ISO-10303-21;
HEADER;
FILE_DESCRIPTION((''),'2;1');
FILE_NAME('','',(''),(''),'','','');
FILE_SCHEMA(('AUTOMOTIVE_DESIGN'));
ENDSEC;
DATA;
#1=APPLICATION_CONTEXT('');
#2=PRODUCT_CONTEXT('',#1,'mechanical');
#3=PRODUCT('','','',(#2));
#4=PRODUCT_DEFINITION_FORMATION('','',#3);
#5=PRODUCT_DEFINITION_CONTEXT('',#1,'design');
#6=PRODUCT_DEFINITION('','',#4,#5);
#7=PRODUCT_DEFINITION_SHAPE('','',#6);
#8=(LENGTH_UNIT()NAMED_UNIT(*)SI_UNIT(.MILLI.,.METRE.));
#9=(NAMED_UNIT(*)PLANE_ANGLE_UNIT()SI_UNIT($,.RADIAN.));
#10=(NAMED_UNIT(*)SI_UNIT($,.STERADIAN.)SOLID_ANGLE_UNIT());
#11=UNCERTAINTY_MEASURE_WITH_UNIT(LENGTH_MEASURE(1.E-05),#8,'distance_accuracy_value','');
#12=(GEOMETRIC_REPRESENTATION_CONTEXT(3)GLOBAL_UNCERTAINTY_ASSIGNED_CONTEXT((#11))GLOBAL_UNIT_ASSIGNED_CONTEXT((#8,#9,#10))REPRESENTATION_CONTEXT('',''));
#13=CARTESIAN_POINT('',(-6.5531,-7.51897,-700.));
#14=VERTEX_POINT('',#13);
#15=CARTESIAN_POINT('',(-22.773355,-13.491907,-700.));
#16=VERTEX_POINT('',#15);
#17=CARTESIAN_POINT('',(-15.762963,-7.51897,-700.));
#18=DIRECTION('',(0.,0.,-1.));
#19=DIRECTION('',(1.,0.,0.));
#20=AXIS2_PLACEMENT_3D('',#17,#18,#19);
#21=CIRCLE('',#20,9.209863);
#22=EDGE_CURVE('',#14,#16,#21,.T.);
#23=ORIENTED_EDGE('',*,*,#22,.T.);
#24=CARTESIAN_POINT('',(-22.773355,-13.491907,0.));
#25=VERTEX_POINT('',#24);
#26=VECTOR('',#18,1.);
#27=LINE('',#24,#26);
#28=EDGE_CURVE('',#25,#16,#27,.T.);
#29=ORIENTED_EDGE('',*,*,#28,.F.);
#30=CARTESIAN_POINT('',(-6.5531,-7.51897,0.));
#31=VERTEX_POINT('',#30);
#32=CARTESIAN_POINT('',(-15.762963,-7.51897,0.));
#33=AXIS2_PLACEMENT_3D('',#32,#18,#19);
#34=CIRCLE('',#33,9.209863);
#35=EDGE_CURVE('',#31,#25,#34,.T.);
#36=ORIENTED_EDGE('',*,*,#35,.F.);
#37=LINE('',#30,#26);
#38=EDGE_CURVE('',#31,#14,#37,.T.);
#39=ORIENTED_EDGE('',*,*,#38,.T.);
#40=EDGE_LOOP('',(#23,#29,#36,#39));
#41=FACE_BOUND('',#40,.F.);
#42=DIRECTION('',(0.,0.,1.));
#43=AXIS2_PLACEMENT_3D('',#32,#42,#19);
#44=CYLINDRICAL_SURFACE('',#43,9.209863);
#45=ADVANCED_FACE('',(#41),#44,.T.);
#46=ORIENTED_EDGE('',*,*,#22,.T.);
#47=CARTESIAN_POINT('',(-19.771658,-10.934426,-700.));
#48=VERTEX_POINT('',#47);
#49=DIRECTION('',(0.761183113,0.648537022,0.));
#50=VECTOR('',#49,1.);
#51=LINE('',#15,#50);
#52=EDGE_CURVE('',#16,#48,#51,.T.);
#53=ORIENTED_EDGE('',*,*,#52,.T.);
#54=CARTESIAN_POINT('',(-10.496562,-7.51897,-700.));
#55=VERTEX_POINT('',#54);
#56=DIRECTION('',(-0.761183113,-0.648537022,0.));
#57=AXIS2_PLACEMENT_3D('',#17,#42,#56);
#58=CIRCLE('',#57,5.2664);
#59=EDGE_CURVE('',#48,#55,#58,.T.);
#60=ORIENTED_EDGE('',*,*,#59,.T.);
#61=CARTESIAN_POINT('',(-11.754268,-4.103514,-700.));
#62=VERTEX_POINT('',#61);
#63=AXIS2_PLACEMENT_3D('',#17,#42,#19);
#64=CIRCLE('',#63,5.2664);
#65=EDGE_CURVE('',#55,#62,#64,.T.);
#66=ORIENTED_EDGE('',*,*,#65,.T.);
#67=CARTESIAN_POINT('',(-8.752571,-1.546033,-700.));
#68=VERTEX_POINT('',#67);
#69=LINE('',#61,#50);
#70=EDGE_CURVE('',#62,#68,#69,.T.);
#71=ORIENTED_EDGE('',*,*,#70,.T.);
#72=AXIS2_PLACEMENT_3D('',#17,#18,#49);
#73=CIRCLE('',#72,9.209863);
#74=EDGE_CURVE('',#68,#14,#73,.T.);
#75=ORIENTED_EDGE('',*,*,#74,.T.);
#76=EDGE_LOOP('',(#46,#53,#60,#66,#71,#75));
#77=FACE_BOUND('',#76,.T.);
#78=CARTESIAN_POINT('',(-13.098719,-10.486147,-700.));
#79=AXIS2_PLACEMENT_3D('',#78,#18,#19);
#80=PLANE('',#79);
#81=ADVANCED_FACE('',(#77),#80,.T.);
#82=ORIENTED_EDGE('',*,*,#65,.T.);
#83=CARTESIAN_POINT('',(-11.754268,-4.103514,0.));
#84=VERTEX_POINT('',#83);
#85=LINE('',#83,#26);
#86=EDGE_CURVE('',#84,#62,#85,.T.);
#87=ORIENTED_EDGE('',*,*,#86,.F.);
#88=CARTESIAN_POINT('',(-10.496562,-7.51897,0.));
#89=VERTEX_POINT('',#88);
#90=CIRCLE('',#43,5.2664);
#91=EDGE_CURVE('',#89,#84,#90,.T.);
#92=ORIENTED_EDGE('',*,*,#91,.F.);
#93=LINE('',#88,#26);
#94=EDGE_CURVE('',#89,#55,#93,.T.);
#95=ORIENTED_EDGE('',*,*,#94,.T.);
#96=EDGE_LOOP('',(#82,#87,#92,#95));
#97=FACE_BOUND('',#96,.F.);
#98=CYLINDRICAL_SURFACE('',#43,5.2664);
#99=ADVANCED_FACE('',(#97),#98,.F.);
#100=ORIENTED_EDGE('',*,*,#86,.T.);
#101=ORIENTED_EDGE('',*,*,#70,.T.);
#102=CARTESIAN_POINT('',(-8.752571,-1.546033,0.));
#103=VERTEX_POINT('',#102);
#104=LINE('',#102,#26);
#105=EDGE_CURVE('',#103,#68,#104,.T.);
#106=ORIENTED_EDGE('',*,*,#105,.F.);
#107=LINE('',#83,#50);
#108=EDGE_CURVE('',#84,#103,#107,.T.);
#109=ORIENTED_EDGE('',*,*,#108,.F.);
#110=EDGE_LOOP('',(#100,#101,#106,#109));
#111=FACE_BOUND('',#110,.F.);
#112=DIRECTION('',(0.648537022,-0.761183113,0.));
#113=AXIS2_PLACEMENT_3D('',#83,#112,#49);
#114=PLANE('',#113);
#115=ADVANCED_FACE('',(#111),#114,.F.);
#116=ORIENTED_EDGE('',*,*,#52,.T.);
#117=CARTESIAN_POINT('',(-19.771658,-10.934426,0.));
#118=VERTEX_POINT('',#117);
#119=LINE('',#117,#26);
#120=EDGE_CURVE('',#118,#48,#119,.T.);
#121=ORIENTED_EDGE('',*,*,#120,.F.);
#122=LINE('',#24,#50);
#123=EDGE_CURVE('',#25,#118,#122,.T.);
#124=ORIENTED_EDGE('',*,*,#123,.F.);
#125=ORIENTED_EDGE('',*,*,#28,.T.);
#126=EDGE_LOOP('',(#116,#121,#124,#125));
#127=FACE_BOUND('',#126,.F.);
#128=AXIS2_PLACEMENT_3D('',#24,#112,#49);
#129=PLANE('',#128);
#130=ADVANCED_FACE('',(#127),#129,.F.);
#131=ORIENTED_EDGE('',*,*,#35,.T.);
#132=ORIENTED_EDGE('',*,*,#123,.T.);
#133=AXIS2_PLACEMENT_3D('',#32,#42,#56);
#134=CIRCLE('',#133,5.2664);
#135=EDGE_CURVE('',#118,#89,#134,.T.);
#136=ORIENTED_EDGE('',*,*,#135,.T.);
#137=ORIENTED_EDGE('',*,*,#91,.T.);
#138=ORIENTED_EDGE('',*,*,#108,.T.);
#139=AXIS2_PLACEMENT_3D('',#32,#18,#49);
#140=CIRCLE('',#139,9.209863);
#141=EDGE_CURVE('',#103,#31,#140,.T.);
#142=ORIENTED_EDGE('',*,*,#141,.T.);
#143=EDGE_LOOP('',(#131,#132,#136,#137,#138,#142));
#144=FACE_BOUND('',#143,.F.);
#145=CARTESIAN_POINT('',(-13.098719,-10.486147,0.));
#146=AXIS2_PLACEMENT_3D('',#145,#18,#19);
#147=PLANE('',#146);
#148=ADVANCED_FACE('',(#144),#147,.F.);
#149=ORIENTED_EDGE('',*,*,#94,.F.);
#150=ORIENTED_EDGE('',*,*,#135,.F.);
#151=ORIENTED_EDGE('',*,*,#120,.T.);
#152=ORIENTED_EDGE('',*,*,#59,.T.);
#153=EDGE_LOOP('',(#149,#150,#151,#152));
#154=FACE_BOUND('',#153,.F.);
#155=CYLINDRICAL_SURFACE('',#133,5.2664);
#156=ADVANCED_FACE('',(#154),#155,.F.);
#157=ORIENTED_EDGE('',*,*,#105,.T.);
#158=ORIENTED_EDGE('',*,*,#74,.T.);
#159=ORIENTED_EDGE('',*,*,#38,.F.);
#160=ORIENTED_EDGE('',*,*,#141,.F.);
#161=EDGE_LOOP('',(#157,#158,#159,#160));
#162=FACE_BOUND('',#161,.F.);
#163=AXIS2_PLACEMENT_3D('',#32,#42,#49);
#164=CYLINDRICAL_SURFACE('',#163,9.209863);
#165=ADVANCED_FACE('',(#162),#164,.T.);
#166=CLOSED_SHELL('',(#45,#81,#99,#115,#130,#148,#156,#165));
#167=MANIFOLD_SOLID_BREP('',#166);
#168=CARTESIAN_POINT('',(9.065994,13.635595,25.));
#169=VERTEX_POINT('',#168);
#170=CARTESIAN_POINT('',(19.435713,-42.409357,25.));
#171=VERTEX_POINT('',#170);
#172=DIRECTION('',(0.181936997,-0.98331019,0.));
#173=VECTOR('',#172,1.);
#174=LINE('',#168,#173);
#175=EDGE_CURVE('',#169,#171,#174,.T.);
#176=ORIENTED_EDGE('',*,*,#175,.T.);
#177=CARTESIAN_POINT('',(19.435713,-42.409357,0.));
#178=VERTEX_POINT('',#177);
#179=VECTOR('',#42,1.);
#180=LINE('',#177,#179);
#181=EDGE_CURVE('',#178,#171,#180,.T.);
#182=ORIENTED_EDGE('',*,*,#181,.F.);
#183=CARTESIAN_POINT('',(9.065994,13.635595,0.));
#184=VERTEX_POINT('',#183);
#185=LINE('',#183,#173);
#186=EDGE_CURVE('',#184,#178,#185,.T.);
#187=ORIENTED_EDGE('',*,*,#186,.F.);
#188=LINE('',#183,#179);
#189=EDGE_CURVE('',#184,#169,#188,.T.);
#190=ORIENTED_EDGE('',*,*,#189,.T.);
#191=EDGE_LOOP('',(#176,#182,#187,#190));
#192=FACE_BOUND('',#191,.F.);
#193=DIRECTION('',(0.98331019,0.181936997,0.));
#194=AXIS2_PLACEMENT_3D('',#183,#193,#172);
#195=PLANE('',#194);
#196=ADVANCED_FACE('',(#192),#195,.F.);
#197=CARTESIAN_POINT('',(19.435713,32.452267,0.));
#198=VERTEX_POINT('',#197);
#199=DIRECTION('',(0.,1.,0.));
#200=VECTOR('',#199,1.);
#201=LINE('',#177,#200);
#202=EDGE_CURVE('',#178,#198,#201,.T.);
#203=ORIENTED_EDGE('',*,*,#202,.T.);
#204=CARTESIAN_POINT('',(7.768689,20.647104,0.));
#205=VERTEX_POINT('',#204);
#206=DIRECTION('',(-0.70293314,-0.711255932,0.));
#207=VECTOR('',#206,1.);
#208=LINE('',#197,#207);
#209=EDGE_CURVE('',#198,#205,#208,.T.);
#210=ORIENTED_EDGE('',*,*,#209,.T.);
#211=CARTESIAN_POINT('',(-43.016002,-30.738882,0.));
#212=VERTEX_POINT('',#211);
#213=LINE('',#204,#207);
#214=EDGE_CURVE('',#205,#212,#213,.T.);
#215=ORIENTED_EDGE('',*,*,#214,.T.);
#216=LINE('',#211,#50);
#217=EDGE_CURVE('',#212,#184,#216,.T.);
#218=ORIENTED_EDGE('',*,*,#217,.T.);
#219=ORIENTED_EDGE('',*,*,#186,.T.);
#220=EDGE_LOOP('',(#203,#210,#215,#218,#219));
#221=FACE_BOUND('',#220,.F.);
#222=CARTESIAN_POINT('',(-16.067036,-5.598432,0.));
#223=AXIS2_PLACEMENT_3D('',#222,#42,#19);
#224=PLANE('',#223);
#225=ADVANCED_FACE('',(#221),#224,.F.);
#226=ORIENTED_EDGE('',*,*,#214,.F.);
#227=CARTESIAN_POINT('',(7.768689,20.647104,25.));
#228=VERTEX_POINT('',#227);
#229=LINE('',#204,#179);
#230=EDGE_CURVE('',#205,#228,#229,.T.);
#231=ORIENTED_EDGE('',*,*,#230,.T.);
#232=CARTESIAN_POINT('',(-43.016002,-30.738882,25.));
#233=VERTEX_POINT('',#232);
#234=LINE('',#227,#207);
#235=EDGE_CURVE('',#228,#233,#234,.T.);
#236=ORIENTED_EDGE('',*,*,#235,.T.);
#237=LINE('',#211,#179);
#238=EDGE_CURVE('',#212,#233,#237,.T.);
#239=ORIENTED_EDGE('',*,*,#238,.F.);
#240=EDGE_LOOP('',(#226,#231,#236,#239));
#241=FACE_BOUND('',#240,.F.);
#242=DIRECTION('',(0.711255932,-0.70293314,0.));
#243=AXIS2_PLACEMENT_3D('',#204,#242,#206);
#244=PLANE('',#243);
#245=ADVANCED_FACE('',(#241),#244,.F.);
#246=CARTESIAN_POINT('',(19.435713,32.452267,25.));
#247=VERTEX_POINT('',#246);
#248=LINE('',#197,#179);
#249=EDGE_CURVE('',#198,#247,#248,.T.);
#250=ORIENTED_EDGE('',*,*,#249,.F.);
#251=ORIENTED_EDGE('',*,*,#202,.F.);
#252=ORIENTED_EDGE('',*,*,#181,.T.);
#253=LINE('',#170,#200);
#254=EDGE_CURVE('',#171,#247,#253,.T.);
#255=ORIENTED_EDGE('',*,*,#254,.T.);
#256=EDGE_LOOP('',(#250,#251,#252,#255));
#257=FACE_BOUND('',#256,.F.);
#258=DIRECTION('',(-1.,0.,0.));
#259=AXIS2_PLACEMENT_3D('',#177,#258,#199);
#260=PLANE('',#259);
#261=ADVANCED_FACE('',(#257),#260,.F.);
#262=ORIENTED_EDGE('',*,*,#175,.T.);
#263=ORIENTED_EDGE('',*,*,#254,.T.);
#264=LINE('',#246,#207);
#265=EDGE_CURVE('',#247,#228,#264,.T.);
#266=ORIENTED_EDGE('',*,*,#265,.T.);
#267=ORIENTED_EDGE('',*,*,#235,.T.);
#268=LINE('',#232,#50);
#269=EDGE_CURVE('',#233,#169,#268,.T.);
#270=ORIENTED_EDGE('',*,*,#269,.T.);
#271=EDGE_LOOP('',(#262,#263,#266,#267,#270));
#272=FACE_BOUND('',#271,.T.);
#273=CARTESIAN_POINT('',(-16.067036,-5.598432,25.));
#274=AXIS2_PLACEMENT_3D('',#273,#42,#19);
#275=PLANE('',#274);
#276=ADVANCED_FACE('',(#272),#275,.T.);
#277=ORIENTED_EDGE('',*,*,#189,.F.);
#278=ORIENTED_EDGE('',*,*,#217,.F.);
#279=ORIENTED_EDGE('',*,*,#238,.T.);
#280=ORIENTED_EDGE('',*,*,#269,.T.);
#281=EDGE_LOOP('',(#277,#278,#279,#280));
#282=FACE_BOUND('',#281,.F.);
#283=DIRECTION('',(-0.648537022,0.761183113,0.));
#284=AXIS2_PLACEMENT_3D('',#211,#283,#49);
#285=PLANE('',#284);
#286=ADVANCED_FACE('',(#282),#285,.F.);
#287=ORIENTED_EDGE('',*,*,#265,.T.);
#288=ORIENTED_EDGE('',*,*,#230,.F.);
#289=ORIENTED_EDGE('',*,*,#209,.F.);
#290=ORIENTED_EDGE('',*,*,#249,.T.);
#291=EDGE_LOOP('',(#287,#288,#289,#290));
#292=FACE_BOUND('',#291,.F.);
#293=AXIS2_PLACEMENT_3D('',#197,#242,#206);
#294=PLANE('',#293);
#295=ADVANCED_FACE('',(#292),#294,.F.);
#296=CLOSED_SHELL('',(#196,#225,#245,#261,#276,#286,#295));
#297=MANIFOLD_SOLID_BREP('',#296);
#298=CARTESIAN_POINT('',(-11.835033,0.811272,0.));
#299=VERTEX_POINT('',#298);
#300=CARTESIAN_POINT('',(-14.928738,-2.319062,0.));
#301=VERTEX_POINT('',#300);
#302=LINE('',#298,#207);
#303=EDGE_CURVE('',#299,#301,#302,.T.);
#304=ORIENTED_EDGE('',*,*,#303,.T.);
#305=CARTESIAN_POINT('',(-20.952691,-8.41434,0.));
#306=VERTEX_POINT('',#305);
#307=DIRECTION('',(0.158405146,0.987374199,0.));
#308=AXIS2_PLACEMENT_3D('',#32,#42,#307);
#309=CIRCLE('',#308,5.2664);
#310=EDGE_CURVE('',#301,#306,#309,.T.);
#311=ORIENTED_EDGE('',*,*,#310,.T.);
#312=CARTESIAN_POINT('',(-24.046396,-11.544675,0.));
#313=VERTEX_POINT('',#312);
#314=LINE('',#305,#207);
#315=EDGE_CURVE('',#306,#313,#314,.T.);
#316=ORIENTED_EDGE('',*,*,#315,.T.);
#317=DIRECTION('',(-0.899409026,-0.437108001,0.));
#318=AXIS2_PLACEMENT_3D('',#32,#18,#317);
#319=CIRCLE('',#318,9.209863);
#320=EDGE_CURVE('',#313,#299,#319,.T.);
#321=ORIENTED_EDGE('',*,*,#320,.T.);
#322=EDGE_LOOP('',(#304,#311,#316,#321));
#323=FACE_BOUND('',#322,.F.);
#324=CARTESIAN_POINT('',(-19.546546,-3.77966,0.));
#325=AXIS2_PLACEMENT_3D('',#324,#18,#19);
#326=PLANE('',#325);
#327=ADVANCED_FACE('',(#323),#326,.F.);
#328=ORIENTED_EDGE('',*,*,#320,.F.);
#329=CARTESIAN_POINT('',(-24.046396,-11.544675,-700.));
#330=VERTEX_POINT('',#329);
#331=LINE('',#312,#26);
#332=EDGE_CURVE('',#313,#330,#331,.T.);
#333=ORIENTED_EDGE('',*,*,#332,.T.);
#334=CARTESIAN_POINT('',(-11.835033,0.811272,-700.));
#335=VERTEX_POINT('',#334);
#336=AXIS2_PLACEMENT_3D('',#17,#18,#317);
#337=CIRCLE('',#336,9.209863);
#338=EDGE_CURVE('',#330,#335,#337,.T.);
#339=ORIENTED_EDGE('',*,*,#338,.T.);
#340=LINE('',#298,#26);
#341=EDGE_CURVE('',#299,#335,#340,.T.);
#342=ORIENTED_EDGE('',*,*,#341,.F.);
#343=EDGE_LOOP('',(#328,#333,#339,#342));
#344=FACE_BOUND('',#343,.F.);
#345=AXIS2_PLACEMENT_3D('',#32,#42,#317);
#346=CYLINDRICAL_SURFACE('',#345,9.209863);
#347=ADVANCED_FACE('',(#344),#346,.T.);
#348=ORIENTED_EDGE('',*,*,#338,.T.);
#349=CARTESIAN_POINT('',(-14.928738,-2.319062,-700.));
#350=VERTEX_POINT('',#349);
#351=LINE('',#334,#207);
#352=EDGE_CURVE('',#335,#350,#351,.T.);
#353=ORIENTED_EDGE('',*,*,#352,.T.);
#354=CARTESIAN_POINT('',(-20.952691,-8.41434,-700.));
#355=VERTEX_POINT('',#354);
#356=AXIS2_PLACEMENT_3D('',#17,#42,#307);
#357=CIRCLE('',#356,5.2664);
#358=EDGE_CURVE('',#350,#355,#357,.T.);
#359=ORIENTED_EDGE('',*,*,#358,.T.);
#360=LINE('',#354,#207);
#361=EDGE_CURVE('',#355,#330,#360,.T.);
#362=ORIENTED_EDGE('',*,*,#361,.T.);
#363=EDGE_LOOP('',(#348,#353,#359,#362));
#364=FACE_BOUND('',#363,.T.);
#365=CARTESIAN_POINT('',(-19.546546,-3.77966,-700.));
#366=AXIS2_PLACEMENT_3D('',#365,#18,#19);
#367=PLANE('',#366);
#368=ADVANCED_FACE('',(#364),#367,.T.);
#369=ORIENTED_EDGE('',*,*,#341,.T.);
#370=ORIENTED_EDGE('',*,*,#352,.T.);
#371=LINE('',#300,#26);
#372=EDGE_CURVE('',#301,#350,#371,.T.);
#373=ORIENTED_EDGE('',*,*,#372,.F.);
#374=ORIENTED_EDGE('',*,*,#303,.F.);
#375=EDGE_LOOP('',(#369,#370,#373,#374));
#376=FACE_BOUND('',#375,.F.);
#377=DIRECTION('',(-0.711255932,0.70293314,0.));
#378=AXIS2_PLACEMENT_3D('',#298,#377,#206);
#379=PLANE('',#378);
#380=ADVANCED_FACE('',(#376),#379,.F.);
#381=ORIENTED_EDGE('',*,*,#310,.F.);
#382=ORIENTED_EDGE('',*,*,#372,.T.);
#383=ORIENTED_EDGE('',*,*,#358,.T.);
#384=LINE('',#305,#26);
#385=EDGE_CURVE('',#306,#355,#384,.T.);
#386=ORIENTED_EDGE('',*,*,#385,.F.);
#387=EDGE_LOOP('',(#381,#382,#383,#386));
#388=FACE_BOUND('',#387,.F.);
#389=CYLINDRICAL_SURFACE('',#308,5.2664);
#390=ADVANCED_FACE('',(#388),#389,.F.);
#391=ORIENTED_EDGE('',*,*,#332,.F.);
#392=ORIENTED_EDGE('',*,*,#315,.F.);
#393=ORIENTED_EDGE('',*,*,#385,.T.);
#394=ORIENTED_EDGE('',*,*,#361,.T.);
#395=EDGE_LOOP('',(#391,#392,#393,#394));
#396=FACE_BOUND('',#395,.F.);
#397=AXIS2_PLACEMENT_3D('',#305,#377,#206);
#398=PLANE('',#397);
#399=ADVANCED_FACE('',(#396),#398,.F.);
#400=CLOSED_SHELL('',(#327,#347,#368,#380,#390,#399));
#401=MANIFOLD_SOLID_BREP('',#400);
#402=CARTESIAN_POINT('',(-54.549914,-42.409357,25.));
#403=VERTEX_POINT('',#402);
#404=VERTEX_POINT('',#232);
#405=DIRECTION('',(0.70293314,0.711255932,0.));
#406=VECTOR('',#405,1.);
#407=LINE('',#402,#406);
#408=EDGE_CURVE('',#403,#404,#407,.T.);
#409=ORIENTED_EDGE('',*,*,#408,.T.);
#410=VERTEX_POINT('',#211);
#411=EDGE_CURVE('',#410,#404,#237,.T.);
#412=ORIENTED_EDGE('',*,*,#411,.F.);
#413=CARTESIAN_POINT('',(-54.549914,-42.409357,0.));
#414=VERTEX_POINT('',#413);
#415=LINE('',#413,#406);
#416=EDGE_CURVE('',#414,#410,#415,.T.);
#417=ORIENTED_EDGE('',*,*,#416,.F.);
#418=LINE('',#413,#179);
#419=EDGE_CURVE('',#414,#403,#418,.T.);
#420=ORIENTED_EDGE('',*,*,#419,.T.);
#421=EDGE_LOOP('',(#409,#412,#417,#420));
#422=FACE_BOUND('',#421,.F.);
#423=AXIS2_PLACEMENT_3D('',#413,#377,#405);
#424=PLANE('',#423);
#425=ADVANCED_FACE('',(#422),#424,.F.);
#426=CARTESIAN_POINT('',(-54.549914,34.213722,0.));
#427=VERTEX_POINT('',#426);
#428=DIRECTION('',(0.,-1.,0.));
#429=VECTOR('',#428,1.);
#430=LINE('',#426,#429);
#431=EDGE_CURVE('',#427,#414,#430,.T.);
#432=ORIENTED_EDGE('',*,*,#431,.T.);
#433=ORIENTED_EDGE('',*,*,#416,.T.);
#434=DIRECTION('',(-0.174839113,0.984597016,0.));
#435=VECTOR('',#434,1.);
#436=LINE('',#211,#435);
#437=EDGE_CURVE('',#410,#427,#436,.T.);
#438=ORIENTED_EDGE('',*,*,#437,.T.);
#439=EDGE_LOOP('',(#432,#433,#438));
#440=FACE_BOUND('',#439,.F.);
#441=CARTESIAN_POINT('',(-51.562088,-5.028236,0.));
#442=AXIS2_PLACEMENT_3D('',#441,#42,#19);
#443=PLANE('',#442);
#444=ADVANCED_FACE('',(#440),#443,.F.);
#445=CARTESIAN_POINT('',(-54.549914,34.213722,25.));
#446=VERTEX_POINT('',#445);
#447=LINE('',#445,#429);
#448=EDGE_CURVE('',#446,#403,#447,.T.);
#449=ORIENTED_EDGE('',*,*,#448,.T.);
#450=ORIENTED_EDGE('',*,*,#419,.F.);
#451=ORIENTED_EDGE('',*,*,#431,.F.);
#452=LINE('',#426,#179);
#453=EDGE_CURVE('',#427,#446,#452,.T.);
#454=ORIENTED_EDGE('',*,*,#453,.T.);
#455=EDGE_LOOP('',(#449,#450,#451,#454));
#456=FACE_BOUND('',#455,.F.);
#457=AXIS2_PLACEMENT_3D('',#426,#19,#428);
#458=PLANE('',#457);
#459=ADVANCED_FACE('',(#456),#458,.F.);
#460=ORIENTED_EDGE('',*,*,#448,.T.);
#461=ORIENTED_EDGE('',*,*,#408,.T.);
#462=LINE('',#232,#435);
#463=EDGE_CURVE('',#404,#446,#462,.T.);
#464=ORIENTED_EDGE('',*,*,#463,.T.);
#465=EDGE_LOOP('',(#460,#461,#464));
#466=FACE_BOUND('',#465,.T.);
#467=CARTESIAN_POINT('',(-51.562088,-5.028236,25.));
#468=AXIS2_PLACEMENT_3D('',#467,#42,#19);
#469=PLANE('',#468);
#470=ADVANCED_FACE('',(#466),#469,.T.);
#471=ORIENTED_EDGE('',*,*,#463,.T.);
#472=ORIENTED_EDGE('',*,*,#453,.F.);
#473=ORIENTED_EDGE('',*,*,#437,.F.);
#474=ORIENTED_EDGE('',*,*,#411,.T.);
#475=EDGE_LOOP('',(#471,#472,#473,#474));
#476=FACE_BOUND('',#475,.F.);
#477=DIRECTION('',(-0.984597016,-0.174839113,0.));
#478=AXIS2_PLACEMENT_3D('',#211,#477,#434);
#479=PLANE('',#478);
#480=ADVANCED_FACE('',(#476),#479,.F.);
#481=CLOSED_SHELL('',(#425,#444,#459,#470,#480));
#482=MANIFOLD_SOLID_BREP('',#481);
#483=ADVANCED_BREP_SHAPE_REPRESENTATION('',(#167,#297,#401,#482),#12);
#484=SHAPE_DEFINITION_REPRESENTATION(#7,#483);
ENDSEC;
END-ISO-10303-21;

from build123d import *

# Parameters (mm, degrees)
F1_DEPTH = 25
F3_DEPTH = 700


with BuildPart() as f1:
    # F0 (on Top) → F1 (new body)
    with BuildSketch(Plane.XY):
        Polygon((7.7686894782, 20.6471044733), (-43.0160016085, -30.7388818882), (9.0659942176, 13.6355950443), align=None)
        Polygon((19.4357130677, 22.4707182497), (9.0659942176, 13.6355950443), (19.4357130677, -42.4093566835), align=None)
        Polygon((19.4357130677, 32.4522666633), (7.7686894782, 20.6471044733), (9.0659942176, 13.6355950443), (19.4357130677, 22.4707182497), align=None)
    extrude(amount=F1_DEPTH)


with BuildPart() as f1b:
    # F0 (on Top) → F1, piece 2 (new body)
    with BuildSketch(Plane.XY):
        Polygon((-43.0160016085, -30.7388818882), (-54.5499138534, 34.2137217522), (-54.5499138534, -42.4093566835), align=None)
    extrude(amount=F1_DEPTH)


with BuildPart() as f3:
    # F2 (on face) → F3 (new body)
    with BuildSketch(Plane(origin=(0, 0, 0), x_dir=(1, 0, 0), z_dir=(0, 0, -1))):
        with BuildLine():
            ThreePointArc((-8.75257057, 1.5460330711), (-7.1204420953, 4.3364534449), (-6.5530998085, 7.5189700512))
            ThreePointArc((-6.5530998085, 7.5189700512), (-12.5804459811, 16.1614905435), (-22.7733546051, 13.4919070314))
            Line((-22.7733546051, 13.4919070314), (-19.7716575849, 10.9344256395))
            ThreePointArc((-19.7716575849, 10.9344256395), (-13.9431302062, 12.4609516944), (-10.4965622555, 7.5189700512))
            ThreePointArc((-10.4965622555, 7.5189700512), (-10.8209809444, 5.6991376699), (-11.7542675901, 4.103514463))
            Line((-11.7542675901, 4.103514463), (-8.75257057, 1.5460330711))
        make_face()
    extrude(amount=F3_DEPTH)


with BuildPart() as f3b:
    # F2 (on face) → F3, piece 2 (new body)
    with BuildSketch(Plane(origin=(0, 0, 0), x_dir=(1, 0, 0), z_dir=(0, 0, -1))):
        with BuildLine():
            Line((-20.9526913799, 8.4143400974), (-24.0463962975, 11.5446747574))
            ThreePointArc((-24.0463962975, 11.5446747574), (-22.3135321176, 1.0450522853), (-11.8350327541, -0.8112724202))
            Line((-11.8350327541, -0.8112724202), (-14.9287376718, 2.3190622398))
            ThreePointArc((-14.9287376718, 2.3190622398), (-19.5087210615, 3.8170427272), (-20.9526913799, 8.4143400974))
        make_face()
    extrude(amount=F3_DEPTH)


solid = Compound([f1.part, f1b.part, f3.part, f3b.part])
